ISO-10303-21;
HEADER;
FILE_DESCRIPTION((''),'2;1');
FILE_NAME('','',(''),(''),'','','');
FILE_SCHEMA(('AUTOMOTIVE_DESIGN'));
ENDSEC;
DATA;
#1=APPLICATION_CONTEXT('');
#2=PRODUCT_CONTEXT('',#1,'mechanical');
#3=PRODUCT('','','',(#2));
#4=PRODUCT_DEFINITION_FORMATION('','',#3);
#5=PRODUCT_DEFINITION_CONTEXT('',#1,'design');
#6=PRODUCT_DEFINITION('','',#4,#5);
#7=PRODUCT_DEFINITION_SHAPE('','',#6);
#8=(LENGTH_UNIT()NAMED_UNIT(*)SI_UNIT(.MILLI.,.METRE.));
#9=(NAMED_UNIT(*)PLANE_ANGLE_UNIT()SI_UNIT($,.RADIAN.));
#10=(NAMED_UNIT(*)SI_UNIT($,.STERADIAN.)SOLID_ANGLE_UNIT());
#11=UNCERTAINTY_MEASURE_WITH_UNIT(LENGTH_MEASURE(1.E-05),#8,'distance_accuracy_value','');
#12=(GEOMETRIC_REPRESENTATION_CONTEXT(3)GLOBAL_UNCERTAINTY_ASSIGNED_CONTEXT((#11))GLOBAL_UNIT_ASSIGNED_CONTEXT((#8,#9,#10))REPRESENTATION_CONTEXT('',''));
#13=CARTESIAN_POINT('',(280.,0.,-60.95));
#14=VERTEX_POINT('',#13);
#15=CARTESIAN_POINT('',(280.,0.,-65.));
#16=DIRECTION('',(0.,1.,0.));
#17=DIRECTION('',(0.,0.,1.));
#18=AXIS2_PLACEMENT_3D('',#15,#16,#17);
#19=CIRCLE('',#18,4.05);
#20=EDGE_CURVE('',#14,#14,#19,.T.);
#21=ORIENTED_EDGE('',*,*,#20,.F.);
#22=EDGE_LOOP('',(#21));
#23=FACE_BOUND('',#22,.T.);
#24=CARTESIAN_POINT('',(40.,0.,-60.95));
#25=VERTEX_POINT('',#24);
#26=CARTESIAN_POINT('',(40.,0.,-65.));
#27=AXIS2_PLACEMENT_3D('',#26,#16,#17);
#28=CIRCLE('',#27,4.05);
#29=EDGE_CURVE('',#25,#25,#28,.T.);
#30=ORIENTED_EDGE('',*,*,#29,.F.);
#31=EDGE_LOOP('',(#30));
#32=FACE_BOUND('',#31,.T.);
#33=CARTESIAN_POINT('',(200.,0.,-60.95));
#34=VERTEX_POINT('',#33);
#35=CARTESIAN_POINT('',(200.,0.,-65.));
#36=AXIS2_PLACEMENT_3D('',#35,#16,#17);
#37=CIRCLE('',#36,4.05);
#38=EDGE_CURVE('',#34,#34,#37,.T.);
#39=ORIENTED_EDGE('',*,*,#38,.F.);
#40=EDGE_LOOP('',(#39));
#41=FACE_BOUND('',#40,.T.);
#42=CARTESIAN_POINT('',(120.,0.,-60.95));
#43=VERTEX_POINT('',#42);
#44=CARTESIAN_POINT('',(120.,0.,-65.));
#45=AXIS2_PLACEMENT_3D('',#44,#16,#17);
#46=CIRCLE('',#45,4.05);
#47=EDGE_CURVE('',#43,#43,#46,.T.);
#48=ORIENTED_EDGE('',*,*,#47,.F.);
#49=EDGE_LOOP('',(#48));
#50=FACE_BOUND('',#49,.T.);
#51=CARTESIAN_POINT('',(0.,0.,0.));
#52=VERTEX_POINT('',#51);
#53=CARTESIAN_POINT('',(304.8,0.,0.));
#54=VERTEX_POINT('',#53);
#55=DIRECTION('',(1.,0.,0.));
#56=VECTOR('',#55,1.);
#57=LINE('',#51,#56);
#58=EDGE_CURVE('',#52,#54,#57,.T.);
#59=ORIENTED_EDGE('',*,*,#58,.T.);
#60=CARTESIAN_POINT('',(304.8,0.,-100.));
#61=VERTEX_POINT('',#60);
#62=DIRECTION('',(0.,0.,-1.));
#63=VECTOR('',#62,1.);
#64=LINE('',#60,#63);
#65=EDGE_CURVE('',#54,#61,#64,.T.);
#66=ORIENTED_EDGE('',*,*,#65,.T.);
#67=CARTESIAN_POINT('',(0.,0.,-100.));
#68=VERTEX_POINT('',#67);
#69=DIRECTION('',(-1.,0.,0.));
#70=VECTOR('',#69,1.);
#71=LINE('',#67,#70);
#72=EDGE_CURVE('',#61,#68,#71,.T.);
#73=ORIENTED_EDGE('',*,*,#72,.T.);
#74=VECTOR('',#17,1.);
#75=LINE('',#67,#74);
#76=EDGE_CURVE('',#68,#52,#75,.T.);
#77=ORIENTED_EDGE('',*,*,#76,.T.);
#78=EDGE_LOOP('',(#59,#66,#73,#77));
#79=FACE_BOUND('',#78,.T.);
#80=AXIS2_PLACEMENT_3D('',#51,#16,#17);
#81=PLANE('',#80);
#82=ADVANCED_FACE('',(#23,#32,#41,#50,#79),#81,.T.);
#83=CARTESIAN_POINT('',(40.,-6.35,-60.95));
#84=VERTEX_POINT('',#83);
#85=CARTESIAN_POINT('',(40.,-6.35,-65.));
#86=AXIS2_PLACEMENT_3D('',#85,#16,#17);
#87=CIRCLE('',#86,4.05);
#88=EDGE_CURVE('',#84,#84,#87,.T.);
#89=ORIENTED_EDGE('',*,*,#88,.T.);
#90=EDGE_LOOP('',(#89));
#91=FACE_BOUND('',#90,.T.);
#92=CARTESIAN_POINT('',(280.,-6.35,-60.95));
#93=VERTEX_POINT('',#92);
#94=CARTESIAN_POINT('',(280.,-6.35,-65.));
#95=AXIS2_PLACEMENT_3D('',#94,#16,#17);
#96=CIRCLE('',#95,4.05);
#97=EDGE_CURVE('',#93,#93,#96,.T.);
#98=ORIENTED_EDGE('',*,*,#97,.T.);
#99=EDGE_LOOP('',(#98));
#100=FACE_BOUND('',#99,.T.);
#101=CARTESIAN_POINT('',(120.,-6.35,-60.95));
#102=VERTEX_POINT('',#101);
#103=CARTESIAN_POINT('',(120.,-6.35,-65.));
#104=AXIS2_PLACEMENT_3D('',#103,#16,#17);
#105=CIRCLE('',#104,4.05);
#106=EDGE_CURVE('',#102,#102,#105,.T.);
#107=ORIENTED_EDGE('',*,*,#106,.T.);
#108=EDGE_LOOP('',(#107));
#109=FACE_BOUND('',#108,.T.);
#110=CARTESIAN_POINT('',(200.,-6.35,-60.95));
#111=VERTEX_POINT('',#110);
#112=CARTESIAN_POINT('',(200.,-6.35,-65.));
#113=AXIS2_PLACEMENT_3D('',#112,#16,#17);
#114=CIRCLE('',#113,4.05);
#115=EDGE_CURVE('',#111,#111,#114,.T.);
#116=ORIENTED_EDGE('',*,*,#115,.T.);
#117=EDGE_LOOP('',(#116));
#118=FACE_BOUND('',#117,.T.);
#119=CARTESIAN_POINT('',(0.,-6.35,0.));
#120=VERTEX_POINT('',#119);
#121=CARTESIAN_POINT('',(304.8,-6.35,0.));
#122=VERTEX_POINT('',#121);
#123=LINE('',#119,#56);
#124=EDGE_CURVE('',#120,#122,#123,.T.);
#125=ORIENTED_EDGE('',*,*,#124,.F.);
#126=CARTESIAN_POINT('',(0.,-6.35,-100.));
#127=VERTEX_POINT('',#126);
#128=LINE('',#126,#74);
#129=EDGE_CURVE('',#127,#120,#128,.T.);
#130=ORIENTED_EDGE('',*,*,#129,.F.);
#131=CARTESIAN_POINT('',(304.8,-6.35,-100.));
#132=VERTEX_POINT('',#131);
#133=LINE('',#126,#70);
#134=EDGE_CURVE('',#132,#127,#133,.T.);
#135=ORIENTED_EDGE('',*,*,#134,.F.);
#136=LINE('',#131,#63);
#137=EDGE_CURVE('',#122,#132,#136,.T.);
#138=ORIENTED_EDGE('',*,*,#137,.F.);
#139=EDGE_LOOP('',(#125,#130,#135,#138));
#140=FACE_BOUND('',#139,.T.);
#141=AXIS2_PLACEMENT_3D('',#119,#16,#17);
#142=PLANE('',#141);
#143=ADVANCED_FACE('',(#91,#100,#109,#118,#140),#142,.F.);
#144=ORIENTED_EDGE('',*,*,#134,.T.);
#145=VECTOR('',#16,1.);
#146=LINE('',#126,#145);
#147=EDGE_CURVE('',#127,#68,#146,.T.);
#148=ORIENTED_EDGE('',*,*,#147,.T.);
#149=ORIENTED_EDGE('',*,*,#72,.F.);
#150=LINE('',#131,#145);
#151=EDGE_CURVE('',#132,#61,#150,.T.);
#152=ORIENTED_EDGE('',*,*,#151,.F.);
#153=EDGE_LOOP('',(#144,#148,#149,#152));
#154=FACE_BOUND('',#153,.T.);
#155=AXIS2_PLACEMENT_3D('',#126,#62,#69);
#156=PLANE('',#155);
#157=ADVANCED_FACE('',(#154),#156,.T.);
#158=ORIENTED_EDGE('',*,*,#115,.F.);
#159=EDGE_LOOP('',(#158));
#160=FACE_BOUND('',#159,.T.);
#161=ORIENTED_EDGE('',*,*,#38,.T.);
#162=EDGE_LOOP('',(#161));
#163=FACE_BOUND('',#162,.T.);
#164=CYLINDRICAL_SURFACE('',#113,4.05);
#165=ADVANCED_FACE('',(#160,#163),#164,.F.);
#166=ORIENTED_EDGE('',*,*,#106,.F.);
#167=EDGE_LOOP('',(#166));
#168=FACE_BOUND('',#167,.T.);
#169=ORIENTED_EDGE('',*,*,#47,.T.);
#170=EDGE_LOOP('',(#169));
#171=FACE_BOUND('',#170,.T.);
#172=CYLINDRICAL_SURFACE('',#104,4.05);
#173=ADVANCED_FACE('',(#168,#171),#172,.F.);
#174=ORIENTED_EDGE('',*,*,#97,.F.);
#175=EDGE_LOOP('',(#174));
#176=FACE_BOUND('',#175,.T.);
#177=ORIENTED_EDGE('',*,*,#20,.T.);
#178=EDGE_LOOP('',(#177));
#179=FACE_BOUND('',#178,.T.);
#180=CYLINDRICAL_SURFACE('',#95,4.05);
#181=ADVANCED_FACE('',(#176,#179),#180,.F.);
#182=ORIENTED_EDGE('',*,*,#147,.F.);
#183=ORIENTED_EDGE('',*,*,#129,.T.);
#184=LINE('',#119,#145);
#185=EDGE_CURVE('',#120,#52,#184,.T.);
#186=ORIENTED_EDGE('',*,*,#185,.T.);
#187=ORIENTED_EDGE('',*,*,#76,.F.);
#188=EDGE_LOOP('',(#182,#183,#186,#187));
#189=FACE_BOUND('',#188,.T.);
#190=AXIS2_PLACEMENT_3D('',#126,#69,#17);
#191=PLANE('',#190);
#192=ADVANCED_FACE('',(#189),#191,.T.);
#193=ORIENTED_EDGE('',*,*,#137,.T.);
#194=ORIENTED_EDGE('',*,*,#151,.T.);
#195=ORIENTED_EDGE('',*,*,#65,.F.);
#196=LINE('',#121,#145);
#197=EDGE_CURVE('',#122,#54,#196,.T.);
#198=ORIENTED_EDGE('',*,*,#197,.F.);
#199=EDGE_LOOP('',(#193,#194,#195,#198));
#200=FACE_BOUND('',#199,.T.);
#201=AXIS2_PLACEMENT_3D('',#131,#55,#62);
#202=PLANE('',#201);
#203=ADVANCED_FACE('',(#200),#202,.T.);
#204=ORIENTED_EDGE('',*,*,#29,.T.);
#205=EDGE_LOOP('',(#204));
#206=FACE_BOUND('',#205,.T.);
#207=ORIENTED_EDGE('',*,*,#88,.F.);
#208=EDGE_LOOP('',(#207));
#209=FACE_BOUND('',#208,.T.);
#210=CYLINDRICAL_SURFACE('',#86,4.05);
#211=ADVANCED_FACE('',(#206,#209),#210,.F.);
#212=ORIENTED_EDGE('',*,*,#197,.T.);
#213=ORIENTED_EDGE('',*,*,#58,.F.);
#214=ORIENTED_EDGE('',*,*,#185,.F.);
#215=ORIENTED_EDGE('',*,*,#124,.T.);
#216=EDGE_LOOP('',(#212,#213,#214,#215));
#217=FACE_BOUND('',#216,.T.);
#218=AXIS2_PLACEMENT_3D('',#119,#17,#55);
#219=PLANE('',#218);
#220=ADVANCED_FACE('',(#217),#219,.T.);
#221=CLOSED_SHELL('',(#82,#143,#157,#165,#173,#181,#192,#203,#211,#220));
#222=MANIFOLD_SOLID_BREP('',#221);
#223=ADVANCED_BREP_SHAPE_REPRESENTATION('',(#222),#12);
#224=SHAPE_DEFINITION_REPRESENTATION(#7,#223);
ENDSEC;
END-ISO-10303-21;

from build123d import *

# Parameters (mm, degrees)
SKETCH1_W           = 304.8
SKETCH1_H           = 100
SKETCH1_R           = 4.05
BOSS_EXTRUDE1_DEPTH = 6.35


with BuildPart() as part:
    # Sketch1 → Boss-Extrude1 (new body)
    with BuildSketch(Plane(origin=(0, 0, 0), x_dir=(1, 0, 0), z_dir=(0, 1, 0))):
        with Locations((152.4, 50)):
            Rectangle(SKETCH1_W, SKETCH1_H)
        with Locations(Location((40, 65, 0), (0, 0, 270))):
            Circle(SKETCH1_R, mode=Mode.SUBTRACT)
        with Locations(Location((120, 65, 0), (0, 0, 270))):
            Circle(SKETCH1_R, mode=Mode.SUBTRACT)
        with Locations(Location((200, 65, 0), (0, 0, 270))):
            Circle(SKETCH1_R, mode=Mode.SUBTRACT)
        with Locations(Location((280, 65, 0), (0, 0, 270))):
            Circle(SKETCH1_R, mode=Mode.SUBTRACT)
    extrude(amount=-BOSS_EXTRUDE1_DEPTH)


solid = part.part
